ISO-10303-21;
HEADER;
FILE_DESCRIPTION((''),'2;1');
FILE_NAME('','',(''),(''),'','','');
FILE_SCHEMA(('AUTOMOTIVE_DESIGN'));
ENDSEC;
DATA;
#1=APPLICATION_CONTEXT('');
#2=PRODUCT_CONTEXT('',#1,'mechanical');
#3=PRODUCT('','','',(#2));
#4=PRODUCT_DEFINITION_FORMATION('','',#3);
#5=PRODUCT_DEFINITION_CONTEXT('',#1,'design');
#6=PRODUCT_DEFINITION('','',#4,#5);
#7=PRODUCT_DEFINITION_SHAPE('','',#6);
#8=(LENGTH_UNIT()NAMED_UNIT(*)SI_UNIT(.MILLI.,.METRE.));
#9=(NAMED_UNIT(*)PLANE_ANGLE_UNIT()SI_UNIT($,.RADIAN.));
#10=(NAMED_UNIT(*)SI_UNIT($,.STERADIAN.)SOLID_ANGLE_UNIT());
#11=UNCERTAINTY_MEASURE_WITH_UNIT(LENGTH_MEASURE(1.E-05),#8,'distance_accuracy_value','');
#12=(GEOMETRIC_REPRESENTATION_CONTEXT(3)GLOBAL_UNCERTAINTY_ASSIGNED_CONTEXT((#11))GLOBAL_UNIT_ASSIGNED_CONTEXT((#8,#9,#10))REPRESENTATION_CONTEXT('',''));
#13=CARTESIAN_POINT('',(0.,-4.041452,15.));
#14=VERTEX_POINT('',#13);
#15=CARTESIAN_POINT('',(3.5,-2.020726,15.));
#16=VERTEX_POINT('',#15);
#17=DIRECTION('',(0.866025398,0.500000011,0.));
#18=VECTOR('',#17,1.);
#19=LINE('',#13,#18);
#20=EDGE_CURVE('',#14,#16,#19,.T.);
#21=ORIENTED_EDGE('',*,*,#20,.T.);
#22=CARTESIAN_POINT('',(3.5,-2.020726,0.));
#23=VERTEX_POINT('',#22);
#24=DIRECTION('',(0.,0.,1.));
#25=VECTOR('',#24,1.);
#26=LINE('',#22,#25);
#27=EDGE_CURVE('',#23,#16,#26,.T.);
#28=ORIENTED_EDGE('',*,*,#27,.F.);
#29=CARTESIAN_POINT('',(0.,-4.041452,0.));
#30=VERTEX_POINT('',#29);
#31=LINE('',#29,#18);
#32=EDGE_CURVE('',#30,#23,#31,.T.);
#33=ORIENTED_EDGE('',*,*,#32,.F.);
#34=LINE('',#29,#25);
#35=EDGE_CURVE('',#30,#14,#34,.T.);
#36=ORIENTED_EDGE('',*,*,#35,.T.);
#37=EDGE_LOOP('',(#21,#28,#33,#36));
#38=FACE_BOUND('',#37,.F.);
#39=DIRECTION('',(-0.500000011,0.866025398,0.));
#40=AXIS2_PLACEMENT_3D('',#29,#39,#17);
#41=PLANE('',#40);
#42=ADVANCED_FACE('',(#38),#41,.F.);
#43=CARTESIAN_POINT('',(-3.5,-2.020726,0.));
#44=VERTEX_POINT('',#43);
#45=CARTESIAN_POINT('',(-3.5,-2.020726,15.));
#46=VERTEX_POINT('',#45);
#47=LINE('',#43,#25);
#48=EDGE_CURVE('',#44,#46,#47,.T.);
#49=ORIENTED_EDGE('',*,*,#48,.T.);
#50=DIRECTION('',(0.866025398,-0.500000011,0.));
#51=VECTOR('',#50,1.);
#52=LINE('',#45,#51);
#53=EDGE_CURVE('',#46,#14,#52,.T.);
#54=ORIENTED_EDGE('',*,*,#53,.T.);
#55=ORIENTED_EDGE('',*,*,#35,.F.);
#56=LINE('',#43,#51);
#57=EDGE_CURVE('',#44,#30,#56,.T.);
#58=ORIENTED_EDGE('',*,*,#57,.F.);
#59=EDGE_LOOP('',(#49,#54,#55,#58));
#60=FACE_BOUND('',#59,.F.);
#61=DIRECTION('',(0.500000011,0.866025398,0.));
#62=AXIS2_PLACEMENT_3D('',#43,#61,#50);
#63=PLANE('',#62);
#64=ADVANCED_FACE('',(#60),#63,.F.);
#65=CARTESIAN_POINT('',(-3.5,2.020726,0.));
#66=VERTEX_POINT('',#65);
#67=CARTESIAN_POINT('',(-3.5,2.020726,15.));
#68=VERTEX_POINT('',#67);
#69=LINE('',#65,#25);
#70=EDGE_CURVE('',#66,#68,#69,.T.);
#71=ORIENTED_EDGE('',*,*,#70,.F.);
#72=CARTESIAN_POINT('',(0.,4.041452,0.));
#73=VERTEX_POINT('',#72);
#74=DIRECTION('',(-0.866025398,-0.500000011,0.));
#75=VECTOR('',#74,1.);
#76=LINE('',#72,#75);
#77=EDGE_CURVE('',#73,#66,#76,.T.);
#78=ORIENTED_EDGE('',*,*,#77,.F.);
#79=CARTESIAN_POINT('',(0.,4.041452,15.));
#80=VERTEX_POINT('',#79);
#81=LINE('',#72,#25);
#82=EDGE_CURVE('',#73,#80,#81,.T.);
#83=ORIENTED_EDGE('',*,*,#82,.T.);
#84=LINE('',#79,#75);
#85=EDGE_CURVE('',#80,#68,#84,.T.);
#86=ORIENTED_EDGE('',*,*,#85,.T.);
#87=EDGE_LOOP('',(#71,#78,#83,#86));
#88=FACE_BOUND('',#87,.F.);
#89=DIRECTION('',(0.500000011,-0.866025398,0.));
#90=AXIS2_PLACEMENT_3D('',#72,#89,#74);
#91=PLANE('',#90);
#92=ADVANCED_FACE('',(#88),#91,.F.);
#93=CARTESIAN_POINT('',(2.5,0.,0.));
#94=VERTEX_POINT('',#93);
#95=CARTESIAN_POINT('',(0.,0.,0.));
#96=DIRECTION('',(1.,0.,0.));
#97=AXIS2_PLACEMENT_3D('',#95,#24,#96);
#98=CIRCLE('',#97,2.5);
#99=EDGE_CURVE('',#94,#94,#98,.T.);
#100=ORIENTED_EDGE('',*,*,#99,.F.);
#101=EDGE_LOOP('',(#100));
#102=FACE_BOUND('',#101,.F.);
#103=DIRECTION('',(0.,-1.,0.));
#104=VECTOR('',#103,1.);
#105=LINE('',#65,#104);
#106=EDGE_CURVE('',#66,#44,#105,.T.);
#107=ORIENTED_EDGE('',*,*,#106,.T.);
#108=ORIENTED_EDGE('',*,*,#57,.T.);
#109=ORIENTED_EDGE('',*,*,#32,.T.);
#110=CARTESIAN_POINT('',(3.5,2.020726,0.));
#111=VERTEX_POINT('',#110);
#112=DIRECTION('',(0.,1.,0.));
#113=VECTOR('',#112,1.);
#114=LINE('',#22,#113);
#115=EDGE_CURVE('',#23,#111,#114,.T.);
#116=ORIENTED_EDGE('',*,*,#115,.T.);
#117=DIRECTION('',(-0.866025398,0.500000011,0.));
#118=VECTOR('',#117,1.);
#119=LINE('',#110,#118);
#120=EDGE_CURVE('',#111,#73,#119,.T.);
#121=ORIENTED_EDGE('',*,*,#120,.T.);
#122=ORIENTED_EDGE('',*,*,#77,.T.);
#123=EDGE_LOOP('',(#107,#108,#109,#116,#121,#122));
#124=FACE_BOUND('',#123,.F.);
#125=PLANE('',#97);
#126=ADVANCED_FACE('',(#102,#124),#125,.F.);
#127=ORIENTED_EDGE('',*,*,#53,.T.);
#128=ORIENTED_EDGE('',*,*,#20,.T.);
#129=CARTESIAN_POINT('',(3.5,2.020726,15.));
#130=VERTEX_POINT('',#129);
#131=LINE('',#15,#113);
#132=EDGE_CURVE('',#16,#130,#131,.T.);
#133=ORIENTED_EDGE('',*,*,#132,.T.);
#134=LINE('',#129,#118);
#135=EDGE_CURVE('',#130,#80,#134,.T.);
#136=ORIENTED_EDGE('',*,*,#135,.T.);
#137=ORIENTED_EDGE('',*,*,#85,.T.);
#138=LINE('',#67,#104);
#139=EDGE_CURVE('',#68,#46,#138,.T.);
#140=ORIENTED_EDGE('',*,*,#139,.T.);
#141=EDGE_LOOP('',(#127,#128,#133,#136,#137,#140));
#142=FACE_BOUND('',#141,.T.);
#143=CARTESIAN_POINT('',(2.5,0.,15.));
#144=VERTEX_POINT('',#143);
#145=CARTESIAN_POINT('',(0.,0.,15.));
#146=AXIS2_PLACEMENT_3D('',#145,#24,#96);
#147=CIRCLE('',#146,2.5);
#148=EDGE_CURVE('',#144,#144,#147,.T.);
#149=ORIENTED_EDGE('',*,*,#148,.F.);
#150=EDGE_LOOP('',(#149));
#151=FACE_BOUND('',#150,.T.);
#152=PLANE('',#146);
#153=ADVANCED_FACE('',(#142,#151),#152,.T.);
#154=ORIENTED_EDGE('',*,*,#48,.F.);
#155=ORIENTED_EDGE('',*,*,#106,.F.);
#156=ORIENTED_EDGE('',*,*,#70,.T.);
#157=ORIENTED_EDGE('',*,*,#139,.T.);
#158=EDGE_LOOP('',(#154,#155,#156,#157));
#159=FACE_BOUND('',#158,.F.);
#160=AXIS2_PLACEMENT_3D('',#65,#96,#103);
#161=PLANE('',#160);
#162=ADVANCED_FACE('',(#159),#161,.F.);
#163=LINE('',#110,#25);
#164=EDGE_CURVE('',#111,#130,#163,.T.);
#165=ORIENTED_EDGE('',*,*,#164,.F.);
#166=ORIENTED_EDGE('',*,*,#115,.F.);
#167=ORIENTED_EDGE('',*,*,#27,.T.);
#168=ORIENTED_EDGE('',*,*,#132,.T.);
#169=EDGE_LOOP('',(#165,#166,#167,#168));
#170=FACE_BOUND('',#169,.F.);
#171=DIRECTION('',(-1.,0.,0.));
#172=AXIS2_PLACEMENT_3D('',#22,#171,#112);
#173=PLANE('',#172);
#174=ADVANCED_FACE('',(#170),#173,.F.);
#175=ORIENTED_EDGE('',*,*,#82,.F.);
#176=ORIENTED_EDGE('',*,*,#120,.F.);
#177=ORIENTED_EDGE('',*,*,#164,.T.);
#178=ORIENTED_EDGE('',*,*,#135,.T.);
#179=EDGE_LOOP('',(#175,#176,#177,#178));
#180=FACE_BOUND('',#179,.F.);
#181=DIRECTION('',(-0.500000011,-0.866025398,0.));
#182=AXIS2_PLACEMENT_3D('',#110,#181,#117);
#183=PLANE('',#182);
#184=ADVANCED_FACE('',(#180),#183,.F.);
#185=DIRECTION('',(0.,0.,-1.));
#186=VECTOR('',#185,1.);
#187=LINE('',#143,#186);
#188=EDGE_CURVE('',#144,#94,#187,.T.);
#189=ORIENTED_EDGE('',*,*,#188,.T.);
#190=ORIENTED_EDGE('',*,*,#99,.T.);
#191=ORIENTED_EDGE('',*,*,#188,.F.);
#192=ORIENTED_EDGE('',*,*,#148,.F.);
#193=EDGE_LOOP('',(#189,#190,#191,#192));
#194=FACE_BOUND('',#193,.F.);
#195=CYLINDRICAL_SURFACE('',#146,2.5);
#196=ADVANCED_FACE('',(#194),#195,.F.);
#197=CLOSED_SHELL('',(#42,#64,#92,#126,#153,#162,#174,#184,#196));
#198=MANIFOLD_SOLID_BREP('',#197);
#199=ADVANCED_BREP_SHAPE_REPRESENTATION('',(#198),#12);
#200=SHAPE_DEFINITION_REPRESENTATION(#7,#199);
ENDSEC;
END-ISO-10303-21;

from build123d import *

# Parameters (mm, degrees)
F1_DEPTH = 15
F2_R     = 2.5
F3_DEPTH = 25


with BuildPart() as f1:
    # F0 (on Top) → F1 (new body)
    with BuildSketch(Plane.XY):
        Polygon((3.5, -2.020726), (3.5, 2.020726), (0, 4.041452), (-3.5, 2.020726), (-3.5, -2.020726), (0, -4.041452), align=None)
    extrude(amount=F1_DEPTH)

    # F2 (on face) → F3 (cut)
    with BuildSketch(Plane.XY.offset(15)):
        Circle(F2_R)
    extrude(amount=-F3_DEPTH, mode=Mode.SUBTRACT)


solid = f1.part
